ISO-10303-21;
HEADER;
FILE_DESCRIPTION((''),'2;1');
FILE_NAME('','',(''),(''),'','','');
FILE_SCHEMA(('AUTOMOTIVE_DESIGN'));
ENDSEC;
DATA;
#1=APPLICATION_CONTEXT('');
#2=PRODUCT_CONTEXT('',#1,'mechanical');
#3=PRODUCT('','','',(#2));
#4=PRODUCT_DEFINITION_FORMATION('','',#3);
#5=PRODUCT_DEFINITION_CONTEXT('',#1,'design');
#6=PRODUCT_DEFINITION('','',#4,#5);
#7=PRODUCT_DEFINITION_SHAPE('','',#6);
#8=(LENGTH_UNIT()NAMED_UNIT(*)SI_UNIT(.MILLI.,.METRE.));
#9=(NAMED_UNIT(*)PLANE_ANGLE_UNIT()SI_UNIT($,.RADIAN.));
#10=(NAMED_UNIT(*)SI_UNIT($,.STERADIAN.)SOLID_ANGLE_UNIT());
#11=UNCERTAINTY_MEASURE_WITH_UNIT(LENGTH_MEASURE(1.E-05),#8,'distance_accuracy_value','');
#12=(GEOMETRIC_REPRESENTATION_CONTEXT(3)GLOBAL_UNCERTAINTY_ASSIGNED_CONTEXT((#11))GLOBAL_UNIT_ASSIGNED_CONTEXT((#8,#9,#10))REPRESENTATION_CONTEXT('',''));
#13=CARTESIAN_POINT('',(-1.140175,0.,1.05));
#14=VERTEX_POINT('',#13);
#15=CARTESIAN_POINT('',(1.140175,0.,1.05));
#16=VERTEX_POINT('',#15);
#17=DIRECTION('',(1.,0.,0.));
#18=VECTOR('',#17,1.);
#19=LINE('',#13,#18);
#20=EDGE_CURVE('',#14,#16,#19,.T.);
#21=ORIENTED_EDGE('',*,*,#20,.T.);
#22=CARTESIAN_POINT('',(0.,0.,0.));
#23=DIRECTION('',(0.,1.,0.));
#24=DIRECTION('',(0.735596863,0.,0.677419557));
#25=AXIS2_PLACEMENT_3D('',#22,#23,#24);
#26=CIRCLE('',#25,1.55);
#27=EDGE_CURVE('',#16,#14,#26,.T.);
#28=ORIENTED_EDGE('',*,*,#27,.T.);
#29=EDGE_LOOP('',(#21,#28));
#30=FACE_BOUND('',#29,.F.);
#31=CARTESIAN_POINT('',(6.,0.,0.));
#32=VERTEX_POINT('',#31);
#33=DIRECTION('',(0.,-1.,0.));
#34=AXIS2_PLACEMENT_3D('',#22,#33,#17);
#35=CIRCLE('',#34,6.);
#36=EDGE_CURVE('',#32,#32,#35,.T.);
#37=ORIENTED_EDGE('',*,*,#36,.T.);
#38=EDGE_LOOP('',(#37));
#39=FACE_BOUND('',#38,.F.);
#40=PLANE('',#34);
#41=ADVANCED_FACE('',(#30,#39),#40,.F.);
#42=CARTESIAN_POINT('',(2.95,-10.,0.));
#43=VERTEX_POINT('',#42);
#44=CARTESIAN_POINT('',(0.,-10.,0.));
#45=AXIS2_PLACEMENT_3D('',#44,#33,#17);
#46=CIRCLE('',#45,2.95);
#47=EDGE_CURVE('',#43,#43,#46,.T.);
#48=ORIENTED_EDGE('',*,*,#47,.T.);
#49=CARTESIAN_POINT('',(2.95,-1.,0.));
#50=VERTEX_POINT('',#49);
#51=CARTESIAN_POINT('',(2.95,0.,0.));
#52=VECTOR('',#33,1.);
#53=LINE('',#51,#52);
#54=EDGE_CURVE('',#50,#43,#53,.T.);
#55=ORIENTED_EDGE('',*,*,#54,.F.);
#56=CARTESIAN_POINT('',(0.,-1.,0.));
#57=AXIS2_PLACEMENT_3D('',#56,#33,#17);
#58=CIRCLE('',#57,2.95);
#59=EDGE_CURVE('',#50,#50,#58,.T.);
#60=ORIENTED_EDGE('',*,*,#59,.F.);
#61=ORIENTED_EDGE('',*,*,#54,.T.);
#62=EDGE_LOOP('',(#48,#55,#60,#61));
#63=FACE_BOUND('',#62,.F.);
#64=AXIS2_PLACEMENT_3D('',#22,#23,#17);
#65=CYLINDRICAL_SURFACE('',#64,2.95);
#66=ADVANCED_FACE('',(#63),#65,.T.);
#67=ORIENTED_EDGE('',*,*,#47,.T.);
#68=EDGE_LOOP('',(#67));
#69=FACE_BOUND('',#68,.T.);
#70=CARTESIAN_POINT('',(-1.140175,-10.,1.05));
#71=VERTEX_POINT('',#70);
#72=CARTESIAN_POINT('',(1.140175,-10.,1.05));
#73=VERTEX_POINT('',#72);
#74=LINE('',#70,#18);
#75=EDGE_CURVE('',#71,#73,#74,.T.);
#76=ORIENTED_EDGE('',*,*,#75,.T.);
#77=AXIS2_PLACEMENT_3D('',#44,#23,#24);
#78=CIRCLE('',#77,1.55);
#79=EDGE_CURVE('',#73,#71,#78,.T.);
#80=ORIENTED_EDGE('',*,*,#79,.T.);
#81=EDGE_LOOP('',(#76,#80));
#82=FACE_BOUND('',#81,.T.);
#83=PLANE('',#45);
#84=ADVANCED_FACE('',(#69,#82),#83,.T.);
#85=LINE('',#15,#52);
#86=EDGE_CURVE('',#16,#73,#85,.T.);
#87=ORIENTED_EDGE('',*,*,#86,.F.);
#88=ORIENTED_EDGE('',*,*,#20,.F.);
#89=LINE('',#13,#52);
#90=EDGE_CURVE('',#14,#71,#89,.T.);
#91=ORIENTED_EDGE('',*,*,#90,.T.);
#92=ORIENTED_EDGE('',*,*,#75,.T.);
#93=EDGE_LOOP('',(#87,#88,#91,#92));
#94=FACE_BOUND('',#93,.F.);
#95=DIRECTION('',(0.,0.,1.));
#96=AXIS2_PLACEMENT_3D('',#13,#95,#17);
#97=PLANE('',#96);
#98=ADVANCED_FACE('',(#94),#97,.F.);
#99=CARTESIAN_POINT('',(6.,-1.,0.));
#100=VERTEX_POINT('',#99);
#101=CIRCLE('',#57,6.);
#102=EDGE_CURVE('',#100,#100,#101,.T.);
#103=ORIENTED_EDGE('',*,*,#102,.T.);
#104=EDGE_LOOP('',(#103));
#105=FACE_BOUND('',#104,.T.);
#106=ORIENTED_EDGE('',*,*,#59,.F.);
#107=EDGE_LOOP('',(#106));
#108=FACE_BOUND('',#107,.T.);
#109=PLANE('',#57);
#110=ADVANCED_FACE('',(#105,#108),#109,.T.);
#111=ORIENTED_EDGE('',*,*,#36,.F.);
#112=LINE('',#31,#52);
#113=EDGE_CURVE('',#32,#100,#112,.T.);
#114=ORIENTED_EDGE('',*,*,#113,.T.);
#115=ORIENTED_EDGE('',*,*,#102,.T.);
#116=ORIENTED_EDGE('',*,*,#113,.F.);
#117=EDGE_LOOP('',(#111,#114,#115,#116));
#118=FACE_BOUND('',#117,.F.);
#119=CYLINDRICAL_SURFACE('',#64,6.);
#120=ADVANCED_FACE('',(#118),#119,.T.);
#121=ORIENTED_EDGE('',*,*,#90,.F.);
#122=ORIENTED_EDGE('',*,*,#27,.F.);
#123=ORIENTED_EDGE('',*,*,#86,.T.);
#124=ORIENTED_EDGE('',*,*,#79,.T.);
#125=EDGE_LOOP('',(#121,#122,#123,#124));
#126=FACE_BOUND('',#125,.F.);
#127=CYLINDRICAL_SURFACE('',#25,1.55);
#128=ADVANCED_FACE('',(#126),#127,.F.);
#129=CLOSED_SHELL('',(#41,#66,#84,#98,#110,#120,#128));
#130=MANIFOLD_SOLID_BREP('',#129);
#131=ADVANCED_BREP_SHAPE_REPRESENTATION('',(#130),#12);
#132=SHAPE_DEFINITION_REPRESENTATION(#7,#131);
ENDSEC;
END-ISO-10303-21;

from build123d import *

# Parameters (mm, degrees)
F0_R     = 2.95
F1_DEPTH = 10
F0_R_2   = 6
F2_DEPTH = 1


with BuildPart() as f1:
    # F0 (on Front) → F1 (new body)
    with BuildSketch(Plane.XZ):
        Circle(F0_R)
        with BuildLine():
            ThreePointArc((1.140175, 1.05), (0, -1.55), (-1.140175, 1.05))
            Line((-1.140175, 1.05), (1.140175, 1.05))
        make_face(mode=Mode.SUBTRACT)
    extrude(amount=F1_DEPTH)

    # F0 (on Front) → F2 (join)
    with BuildSketch(Plane.XZ):
        Circle(F0_R_2)
        Circle(F0_R, mode=Mode.SUBTRACT)
    extrude(amount=F2_DEPTH)


solid = f1.part
